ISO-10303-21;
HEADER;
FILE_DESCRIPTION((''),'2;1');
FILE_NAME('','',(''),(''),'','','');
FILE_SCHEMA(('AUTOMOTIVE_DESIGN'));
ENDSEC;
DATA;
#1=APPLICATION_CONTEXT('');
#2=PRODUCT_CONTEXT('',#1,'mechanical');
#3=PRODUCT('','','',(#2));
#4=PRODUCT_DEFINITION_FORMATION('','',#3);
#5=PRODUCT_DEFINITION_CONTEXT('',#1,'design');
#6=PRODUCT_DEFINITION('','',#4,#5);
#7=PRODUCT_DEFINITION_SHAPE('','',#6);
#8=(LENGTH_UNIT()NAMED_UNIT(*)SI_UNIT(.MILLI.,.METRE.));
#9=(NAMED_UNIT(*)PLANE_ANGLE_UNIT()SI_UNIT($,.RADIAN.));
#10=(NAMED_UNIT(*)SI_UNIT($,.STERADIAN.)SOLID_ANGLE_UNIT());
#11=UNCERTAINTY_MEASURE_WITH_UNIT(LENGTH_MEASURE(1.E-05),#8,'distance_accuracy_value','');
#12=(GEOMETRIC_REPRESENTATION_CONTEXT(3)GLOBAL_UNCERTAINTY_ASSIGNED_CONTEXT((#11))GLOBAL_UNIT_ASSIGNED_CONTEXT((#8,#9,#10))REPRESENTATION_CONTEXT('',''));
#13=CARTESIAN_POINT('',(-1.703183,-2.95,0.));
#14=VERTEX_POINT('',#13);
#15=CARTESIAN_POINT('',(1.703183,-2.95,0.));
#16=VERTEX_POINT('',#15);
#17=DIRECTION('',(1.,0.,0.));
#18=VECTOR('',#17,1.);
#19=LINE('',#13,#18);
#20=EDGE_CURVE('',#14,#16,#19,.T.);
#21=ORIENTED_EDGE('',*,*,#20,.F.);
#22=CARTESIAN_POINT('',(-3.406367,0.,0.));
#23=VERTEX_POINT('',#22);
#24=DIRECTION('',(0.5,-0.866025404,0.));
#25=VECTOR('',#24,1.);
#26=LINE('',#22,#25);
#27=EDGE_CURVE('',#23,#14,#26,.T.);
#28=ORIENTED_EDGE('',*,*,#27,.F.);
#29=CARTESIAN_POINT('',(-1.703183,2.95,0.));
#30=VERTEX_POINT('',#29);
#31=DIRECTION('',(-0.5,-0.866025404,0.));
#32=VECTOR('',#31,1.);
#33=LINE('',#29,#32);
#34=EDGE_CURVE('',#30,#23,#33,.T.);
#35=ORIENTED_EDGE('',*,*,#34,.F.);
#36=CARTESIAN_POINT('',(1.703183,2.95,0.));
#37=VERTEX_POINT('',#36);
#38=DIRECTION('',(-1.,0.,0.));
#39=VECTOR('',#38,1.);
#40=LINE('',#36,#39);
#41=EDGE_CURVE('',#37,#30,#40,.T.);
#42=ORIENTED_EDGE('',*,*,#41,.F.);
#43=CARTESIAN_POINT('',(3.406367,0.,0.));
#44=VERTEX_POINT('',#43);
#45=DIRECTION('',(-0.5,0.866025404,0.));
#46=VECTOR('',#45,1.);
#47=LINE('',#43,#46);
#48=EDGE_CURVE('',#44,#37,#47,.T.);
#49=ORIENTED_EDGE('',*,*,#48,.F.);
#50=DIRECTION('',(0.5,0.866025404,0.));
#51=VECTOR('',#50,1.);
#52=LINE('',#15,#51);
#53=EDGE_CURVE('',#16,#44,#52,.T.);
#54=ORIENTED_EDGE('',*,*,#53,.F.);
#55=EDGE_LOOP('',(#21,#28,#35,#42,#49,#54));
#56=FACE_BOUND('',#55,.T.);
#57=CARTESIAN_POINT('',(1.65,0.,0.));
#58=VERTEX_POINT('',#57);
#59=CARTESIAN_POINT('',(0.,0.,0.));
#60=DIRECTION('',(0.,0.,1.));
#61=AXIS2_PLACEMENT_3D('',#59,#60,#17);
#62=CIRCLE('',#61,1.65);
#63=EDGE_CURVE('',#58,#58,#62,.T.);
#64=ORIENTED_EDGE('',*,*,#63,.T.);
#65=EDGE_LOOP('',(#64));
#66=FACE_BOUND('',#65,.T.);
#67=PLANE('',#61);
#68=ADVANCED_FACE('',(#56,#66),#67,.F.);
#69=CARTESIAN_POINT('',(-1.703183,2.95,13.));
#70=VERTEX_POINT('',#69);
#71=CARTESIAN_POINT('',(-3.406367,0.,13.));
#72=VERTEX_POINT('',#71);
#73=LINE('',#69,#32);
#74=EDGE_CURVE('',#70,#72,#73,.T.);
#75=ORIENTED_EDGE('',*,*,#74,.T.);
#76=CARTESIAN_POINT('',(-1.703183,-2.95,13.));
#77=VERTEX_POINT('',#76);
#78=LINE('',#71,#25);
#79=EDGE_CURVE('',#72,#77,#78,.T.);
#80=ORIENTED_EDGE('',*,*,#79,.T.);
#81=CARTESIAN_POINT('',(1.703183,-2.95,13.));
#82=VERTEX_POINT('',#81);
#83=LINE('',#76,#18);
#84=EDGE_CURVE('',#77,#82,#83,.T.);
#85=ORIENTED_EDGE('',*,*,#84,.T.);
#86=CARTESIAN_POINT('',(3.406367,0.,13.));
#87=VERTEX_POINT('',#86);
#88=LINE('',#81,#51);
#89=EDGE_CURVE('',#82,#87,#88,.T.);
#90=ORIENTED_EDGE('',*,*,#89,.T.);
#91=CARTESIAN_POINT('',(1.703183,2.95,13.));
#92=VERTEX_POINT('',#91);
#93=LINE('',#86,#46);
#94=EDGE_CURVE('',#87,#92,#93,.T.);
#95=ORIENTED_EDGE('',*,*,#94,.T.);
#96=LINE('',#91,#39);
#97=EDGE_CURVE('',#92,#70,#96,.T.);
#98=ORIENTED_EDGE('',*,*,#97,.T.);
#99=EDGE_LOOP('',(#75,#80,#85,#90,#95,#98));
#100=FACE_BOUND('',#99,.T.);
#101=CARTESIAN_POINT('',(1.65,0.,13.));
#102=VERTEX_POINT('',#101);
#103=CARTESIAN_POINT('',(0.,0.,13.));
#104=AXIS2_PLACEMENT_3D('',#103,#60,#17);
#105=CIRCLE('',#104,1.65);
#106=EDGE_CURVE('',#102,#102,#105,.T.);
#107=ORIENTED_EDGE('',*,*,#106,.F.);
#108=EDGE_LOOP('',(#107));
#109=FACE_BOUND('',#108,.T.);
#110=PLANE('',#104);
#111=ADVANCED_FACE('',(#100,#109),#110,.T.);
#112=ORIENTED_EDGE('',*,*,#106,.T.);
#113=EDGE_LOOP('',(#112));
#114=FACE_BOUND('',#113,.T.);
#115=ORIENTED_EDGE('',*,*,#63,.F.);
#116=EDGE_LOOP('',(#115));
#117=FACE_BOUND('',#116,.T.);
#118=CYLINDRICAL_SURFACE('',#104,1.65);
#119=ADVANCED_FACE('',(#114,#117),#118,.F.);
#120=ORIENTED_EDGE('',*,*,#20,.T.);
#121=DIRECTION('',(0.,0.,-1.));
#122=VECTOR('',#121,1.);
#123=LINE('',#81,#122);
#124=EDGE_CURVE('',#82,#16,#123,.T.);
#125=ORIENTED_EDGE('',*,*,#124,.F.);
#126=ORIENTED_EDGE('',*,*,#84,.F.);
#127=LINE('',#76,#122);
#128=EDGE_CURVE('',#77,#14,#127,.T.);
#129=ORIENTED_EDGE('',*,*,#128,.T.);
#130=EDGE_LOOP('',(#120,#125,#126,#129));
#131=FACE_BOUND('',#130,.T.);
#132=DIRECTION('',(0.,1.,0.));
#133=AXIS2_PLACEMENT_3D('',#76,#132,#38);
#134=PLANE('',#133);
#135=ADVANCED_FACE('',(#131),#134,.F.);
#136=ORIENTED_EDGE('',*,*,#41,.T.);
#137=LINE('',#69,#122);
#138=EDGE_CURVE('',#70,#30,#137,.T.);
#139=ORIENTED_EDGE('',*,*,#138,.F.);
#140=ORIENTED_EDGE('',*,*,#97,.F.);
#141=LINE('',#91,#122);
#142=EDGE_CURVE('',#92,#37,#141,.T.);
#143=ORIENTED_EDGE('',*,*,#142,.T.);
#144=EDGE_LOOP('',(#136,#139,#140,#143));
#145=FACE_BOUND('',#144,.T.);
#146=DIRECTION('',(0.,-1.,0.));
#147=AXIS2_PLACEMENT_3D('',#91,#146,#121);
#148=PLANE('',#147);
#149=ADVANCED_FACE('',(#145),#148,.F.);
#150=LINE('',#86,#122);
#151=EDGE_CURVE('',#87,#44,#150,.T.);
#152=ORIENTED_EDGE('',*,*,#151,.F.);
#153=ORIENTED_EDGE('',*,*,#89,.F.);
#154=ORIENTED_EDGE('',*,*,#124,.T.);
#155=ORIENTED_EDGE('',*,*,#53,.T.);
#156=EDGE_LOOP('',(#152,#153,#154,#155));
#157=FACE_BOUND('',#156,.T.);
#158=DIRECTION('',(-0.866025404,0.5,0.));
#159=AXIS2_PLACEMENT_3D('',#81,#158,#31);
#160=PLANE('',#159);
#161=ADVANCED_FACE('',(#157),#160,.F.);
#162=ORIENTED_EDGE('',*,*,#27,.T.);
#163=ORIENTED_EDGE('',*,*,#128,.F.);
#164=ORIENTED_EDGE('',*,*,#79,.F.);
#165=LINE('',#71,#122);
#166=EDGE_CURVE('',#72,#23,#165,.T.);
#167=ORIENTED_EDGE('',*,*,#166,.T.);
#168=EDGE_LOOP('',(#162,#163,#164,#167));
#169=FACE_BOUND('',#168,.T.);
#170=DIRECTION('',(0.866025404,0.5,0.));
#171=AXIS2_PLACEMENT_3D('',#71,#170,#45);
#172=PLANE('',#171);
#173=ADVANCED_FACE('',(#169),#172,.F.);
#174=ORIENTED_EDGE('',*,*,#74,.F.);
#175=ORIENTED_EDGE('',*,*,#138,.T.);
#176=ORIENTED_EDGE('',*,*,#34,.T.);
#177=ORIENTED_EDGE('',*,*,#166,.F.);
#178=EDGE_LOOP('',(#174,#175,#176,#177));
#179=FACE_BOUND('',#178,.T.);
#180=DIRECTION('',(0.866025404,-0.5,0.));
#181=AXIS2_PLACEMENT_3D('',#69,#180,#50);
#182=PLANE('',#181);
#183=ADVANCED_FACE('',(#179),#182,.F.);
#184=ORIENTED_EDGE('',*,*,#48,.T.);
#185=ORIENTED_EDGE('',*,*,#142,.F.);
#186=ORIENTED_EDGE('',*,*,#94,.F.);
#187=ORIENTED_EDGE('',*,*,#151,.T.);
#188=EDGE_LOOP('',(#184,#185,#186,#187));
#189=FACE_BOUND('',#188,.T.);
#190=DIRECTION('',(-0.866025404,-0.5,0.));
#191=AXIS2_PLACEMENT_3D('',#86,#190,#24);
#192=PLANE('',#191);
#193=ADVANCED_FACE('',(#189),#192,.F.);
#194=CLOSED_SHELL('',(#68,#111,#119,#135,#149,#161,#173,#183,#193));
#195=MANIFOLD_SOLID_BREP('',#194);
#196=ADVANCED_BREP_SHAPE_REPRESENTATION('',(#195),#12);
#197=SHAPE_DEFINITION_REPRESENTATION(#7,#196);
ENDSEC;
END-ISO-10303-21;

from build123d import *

# Parameters (mm, degrees)
EXTRUDE_1_DEPTH    = 13
HOLE_WIZARD_M4_1_D = 3.3


with BuildPart() as part:
    # 草图1 → 凸台-拉伸1 (new body)
    with BuildSketch(Plane.XY):
        Polygon((1.703183294, 2.95), (-1.703183294, 2.95), (-3.406366588, 0), (-1.703183294, -2.95), (1.703183294, -2.95), (3.406366588, 0), align=None)
    extrude(amount=EXTRUDE_1_DEPTH)

    # M4 螺纹孔1 (through all)
    with Locations(Plane.XY.offset(13)):
        with Locations((0, 0)):
            Hole(HOLE_WIZARD_M4_1_D / 2)


solid = part.part
